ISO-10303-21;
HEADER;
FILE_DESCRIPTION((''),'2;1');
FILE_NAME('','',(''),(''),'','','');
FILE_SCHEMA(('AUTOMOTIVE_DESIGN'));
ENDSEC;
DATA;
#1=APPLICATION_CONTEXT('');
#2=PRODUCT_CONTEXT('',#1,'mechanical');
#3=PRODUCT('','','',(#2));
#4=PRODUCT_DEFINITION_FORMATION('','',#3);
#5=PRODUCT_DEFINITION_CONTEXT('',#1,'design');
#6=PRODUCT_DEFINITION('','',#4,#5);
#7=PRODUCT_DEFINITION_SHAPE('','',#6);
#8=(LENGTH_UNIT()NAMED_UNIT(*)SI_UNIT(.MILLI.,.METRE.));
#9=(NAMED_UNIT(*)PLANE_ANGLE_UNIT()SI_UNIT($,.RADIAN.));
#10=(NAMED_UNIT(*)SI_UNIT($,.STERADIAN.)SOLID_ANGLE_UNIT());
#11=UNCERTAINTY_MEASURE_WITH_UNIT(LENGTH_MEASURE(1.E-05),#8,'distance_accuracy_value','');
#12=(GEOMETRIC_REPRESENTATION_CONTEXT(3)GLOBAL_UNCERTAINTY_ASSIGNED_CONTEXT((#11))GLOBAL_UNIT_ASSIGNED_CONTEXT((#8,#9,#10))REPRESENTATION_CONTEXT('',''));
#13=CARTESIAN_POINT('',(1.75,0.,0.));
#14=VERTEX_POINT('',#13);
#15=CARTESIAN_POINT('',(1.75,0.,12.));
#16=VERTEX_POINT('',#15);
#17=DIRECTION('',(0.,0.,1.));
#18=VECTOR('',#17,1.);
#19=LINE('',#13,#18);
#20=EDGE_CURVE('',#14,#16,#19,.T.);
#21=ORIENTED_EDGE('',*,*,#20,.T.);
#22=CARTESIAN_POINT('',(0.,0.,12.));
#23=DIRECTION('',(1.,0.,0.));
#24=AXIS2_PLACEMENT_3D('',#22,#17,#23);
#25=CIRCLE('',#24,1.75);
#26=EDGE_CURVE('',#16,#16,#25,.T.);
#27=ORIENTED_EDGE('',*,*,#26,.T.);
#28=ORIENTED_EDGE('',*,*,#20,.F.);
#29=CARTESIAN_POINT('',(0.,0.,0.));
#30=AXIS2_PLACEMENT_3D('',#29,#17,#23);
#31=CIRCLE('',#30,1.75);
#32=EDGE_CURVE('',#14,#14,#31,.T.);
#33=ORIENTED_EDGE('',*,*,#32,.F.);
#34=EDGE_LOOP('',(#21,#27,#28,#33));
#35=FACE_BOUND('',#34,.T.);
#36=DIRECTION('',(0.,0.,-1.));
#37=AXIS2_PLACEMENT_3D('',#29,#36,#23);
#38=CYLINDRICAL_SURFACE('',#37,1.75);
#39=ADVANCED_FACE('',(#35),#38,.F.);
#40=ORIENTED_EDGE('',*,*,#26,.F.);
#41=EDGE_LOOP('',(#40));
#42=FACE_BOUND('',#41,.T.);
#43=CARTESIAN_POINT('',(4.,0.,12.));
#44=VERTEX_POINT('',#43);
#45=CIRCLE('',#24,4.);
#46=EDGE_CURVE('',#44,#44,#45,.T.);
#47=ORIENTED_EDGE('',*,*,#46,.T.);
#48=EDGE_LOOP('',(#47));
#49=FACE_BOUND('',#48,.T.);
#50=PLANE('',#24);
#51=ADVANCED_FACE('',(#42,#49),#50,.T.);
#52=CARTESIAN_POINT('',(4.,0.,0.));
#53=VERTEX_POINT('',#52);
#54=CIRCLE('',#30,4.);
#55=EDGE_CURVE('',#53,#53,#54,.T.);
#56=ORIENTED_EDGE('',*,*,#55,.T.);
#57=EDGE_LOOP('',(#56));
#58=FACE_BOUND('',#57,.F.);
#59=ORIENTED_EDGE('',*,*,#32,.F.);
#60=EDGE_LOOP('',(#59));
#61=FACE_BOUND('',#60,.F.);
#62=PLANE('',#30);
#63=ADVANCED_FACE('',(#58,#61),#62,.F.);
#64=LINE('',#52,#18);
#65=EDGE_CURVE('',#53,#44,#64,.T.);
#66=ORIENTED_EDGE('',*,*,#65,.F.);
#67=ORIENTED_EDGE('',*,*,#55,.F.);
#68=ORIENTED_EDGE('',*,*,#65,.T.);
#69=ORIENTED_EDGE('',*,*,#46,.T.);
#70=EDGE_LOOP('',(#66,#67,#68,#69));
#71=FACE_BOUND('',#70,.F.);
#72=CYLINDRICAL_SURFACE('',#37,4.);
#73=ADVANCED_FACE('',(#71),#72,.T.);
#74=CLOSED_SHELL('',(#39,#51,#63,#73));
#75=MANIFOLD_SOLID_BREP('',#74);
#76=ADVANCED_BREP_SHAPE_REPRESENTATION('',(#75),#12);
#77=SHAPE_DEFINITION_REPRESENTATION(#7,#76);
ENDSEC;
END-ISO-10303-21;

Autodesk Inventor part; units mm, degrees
ref_plane "YZ Plane" through (0, 0, 0) normal (1, 0, 0) x (0, 1, 0)
ref_plane "XZ Plane" through (0, 0, 0) normal (0, 1, 0) x (-1, 0, 0)
ref_plane "XY Plane" through (0, 0, 0) normal (0, 0, 1) x (1, 0, 0)
sketch "スケッチ1" plane through (0, 0, 0) normal (0, 0, 1) x (1, 0, 0)
  circle A0 centre (0, 0) radius 4
  circle A1 centre (0, 0) radius 1.75
  dimension "d0" = 8
  dimension "d1" = 3.5
extrude "押し出し1" add sketch "スケッチ1" along normal blind 12
properties part number "M4アルミスペーサー12" material "アルミニウム"
